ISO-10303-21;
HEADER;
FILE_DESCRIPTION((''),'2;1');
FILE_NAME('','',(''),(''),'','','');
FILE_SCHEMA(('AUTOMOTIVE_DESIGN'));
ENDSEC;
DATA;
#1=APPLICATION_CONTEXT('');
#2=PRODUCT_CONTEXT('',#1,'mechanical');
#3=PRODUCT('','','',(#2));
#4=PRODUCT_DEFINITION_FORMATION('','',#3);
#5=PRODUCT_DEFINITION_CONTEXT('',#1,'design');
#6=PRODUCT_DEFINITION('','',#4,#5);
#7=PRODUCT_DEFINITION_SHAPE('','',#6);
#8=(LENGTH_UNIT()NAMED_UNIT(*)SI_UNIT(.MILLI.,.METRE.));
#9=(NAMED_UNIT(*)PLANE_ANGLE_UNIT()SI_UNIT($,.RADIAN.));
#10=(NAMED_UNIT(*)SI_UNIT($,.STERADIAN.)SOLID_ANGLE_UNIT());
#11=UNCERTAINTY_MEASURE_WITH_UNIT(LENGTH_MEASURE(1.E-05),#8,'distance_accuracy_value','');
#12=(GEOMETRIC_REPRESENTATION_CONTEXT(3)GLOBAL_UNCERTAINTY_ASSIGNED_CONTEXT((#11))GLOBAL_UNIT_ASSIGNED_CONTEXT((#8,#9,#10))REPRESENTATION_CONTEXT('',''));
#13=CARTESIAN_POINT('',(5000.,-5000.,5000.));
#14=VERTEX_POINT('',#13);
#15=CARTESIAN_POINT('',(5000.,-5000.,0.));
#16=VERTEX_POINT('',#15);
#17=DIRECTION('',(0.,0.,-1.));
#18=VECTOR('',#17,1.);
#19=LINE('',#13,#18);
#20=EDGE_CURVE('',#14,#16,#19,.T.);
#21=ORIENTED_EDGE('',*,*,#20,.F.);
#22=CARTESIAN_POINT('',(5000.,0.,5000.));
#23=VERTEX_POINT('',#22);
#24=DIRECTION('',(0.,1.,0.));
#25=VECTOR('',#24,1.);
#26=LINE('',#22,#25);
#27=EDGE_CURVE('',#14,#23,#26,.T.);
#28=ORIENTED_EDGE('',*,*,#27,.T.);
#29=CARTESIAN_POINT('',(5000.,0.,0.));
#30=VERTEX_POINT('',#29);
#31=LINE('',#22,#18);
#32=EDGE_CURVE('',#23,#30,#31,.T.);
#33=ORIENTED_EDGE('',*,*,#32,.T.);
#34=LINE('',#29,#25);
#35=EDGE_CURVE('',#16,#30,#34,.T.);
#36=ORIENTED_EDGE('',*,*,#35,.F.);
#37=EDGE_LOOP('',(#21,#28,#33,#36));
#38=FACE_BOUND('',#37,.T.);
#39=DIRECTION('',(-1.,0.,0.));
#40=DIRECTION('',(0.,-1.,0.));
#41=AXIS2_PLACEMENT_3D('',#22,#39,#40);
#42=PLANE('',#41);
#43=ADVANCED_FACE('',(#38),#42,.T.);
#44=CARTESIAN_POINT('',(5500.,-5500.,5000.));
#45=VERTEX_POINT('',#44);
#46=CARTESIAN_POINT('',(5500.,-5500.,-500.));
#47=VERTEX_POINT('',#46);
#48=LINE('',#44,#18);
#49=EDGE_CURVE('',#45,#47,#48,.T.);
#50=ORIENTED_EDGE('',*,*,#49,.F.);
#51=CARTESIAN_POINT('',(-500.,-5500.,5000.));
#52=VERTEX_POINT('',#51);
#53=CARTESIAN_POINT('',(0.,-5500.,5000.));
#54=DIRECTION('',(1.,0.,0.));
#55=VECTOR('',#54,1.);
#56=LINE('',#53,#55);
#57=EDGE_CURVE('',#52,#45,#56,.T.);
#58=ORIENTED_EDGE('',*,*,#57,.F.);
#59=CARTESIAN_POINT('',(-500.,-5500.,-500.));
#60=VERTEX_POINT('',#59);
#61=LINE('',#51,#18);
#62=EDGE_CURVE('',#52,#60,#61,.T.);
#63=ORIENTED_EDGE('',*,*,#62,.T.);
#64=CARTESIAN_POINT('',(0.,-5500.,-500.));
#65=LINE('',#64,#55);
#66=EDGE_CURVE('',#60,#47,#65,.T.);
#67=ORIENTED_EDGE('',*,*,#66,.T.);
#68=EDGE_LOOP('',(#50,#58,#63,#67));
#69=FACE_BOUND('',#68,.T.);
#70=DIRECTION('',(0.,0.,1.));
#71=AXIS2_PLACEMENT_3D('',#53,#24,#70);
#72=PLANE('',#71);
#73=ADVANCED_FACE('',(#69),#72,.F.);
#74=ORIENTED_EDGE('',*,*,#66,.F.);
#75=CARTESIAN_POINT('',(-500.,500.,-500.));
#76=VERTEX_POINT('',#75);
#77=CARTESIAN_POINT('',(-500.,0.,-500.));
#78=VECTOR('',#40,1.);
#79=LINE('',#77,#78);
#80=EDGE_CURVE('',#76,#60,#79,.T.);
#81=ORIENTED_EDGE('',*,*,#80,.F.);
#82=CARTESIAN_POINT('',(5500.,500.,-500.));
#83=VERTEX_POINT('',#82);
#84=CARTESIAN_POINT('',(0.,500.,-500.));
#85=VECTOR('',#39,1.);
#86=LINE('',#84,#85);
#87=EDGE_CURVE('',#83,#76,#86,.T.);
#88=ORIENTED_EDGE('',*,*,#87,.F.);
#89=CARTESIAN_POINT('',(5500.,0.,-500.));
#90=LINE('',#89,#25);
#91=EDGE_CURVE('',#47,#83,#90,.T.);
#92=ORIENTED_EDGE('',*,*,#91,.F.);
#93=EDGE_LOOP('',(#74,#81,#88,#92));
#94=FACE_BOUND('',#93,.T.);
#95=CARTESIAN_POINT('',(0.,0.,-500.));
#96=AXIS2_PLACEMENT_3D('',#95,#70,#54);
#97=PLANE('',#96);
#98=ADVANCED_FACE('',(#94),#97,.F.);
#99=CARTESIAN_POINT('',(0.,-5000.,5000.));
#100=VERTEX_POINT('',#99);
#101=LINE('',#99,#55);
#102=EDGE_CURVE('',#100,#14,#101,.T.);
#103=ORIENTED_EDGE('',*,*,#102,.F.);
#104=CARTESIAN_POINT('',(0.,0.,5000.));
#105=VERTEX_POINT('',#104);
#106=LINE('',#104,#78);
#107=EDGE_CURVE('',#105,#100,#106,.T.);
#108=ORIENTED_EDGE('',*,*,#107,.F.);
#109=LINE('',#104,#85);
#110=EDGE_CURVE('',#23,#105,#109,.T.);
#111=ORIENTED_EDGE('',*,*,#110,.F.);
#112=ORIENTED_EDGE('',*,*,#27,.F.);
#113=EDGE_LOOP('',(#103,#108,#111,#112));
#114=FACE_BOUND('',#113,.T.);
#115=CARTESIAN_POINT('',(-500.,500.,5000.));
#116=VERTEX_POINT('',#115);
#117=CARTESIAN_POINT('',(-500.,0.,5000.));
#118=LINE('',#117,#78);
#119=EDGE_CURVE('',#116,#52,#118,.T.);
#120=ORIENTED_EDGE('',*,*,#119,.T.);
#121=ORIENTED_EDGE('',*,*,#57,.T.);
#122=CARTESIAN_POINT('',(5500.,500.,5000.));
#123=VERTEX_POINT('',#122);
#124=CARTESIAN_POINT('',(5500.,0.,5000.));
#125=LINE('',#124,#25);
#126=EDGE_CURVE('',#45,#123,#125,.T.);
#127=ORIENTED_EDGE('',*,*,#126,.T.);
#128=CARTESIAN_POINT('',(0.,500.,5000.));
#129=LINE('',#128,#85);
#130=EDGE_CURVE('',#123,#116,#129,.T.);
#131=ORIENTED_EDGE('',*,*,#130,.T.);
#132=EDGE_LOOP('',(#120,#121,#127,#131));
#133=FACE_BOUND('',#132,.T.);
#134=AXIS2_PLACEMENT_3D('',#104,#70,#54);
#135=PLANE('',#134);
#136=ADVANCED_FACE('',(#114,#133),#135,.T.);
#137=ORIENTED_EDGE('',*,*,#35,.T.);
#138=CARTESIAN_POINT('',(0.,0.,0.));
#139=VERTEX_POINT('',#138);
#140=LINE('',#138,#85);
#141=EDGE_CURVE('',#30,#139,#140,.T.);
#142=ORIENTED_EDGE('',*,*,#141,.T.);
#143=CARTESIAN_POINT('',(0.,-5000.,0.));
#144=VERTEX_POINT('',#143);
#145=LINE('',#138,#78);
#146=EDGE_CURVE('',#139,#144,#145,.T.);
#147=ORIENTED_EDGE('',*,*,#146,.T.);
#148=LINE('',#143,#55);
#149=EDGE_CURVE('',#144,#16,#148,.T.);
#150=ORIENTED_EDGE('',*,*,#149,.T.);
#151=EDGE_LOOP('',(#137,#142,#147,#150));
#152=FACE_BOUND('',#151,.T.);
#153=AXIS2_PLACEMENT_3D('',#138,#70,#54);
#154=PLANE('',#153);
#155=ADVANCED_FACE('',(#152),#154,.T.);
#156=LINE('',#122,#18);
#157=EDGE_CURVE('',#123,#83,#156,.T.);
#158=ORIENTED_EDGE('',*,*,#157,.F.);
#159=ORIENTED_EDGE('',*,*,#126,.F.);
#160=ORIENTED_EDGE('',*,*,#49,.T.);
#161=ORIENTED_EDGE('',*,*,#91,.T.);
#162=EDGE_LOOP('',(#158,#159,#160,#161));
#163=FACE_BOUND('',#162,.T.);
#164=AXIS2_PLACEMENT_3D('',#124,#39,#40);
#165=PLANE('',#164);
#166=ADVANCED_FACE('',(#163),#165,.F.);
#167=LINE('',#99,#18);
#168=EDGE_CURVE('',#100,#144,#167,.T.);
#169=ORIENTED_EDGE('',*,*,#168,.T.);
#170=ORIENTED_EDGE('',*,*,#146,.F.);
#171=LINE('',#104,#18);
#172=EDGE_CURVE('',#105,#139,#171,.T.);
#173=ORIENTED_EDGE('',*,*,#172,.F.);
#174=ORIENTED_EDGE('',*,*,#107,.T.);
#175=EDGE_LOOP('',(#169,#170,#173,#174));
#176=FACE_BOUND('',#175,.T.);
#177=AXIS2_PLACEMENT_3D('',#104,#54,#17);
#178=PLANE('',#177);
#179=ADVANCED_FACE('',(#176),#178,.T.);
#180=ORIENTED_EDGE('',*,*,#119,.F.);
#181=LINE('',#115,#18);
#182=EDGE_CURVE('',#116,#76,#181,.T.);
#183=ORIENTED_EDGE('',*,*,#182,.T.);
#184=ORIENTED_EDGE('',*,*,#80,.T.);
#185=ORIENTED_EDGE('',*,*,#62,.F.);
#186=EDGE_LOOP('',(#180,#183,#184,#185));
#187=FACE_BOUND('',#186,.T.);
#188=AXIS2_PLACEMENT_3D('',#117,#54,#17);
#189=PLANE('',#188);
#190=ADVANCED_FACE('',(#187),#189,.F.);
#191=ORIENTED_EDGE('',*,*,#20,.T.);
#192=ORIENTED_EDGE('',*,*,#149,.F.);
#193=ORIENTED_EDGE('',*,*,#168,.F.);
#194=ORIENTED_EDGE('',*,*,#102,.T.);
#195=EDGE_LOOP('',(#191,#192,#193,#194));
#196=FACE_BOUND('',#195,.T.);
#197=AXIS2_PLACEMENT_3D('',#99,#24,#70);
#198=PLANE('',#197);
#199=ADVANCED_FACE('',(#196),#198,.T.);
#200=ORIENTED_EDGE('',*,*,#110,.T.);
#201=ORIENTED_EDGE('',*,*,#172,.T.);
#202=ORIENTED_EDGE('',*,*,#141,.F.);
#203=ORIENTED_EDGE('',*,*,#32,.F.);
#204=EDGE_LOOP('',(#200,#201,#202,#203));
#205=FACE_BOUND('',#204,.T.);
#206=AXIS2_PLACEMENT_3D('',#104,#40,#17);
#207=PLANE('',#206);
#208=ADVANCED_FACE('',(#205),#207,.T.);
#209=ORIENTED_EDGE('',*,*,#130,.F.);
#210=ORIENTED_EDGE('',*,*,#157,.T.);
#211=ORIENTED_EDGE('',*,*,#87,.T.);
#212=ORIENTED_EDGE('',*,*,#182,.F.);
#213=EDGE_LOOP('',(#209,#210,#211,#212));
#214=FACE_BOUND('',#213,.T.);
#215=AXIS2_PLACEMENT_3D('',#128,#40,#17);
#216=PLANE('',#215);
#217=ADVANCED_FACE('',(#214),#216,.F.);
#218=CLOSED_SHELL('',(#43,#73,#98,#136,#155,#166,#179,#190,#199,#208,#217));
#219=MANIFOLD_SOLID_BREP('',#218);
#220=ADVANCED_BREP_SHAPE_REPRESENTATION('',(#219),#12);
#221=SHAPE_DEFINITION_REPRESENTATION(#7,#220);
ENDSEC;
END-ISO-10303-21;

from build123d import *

# Parameters (mm, degrees)
SKETCH1_W           = 5000
SKETCH1_H           = 5000
BOSS_EXTRUDE1_DEPTH = 5000
SHELL3_T            = 500


with BuildPart() as part:
    # Sketch1 → Boss-Extrude1 (new body)
    with BuildSketch(Plane.XY):
        with Locations((2500, -2500)):
            Rectangle(SKETCH1_W, SKETCH1_H)
    extrude(amount=BOSS_EXTRUDE1_DEPTH)

    # Shell3
    shell3_openings = [part.faces().sort_by_distance(p)[0] for p in [
        (2500, -2500, 5000),
    ]]
    offset(amount=SHELL3_T, openings=shell3_openings, kind=Kind.INTERSECTION)


solid = part.part
